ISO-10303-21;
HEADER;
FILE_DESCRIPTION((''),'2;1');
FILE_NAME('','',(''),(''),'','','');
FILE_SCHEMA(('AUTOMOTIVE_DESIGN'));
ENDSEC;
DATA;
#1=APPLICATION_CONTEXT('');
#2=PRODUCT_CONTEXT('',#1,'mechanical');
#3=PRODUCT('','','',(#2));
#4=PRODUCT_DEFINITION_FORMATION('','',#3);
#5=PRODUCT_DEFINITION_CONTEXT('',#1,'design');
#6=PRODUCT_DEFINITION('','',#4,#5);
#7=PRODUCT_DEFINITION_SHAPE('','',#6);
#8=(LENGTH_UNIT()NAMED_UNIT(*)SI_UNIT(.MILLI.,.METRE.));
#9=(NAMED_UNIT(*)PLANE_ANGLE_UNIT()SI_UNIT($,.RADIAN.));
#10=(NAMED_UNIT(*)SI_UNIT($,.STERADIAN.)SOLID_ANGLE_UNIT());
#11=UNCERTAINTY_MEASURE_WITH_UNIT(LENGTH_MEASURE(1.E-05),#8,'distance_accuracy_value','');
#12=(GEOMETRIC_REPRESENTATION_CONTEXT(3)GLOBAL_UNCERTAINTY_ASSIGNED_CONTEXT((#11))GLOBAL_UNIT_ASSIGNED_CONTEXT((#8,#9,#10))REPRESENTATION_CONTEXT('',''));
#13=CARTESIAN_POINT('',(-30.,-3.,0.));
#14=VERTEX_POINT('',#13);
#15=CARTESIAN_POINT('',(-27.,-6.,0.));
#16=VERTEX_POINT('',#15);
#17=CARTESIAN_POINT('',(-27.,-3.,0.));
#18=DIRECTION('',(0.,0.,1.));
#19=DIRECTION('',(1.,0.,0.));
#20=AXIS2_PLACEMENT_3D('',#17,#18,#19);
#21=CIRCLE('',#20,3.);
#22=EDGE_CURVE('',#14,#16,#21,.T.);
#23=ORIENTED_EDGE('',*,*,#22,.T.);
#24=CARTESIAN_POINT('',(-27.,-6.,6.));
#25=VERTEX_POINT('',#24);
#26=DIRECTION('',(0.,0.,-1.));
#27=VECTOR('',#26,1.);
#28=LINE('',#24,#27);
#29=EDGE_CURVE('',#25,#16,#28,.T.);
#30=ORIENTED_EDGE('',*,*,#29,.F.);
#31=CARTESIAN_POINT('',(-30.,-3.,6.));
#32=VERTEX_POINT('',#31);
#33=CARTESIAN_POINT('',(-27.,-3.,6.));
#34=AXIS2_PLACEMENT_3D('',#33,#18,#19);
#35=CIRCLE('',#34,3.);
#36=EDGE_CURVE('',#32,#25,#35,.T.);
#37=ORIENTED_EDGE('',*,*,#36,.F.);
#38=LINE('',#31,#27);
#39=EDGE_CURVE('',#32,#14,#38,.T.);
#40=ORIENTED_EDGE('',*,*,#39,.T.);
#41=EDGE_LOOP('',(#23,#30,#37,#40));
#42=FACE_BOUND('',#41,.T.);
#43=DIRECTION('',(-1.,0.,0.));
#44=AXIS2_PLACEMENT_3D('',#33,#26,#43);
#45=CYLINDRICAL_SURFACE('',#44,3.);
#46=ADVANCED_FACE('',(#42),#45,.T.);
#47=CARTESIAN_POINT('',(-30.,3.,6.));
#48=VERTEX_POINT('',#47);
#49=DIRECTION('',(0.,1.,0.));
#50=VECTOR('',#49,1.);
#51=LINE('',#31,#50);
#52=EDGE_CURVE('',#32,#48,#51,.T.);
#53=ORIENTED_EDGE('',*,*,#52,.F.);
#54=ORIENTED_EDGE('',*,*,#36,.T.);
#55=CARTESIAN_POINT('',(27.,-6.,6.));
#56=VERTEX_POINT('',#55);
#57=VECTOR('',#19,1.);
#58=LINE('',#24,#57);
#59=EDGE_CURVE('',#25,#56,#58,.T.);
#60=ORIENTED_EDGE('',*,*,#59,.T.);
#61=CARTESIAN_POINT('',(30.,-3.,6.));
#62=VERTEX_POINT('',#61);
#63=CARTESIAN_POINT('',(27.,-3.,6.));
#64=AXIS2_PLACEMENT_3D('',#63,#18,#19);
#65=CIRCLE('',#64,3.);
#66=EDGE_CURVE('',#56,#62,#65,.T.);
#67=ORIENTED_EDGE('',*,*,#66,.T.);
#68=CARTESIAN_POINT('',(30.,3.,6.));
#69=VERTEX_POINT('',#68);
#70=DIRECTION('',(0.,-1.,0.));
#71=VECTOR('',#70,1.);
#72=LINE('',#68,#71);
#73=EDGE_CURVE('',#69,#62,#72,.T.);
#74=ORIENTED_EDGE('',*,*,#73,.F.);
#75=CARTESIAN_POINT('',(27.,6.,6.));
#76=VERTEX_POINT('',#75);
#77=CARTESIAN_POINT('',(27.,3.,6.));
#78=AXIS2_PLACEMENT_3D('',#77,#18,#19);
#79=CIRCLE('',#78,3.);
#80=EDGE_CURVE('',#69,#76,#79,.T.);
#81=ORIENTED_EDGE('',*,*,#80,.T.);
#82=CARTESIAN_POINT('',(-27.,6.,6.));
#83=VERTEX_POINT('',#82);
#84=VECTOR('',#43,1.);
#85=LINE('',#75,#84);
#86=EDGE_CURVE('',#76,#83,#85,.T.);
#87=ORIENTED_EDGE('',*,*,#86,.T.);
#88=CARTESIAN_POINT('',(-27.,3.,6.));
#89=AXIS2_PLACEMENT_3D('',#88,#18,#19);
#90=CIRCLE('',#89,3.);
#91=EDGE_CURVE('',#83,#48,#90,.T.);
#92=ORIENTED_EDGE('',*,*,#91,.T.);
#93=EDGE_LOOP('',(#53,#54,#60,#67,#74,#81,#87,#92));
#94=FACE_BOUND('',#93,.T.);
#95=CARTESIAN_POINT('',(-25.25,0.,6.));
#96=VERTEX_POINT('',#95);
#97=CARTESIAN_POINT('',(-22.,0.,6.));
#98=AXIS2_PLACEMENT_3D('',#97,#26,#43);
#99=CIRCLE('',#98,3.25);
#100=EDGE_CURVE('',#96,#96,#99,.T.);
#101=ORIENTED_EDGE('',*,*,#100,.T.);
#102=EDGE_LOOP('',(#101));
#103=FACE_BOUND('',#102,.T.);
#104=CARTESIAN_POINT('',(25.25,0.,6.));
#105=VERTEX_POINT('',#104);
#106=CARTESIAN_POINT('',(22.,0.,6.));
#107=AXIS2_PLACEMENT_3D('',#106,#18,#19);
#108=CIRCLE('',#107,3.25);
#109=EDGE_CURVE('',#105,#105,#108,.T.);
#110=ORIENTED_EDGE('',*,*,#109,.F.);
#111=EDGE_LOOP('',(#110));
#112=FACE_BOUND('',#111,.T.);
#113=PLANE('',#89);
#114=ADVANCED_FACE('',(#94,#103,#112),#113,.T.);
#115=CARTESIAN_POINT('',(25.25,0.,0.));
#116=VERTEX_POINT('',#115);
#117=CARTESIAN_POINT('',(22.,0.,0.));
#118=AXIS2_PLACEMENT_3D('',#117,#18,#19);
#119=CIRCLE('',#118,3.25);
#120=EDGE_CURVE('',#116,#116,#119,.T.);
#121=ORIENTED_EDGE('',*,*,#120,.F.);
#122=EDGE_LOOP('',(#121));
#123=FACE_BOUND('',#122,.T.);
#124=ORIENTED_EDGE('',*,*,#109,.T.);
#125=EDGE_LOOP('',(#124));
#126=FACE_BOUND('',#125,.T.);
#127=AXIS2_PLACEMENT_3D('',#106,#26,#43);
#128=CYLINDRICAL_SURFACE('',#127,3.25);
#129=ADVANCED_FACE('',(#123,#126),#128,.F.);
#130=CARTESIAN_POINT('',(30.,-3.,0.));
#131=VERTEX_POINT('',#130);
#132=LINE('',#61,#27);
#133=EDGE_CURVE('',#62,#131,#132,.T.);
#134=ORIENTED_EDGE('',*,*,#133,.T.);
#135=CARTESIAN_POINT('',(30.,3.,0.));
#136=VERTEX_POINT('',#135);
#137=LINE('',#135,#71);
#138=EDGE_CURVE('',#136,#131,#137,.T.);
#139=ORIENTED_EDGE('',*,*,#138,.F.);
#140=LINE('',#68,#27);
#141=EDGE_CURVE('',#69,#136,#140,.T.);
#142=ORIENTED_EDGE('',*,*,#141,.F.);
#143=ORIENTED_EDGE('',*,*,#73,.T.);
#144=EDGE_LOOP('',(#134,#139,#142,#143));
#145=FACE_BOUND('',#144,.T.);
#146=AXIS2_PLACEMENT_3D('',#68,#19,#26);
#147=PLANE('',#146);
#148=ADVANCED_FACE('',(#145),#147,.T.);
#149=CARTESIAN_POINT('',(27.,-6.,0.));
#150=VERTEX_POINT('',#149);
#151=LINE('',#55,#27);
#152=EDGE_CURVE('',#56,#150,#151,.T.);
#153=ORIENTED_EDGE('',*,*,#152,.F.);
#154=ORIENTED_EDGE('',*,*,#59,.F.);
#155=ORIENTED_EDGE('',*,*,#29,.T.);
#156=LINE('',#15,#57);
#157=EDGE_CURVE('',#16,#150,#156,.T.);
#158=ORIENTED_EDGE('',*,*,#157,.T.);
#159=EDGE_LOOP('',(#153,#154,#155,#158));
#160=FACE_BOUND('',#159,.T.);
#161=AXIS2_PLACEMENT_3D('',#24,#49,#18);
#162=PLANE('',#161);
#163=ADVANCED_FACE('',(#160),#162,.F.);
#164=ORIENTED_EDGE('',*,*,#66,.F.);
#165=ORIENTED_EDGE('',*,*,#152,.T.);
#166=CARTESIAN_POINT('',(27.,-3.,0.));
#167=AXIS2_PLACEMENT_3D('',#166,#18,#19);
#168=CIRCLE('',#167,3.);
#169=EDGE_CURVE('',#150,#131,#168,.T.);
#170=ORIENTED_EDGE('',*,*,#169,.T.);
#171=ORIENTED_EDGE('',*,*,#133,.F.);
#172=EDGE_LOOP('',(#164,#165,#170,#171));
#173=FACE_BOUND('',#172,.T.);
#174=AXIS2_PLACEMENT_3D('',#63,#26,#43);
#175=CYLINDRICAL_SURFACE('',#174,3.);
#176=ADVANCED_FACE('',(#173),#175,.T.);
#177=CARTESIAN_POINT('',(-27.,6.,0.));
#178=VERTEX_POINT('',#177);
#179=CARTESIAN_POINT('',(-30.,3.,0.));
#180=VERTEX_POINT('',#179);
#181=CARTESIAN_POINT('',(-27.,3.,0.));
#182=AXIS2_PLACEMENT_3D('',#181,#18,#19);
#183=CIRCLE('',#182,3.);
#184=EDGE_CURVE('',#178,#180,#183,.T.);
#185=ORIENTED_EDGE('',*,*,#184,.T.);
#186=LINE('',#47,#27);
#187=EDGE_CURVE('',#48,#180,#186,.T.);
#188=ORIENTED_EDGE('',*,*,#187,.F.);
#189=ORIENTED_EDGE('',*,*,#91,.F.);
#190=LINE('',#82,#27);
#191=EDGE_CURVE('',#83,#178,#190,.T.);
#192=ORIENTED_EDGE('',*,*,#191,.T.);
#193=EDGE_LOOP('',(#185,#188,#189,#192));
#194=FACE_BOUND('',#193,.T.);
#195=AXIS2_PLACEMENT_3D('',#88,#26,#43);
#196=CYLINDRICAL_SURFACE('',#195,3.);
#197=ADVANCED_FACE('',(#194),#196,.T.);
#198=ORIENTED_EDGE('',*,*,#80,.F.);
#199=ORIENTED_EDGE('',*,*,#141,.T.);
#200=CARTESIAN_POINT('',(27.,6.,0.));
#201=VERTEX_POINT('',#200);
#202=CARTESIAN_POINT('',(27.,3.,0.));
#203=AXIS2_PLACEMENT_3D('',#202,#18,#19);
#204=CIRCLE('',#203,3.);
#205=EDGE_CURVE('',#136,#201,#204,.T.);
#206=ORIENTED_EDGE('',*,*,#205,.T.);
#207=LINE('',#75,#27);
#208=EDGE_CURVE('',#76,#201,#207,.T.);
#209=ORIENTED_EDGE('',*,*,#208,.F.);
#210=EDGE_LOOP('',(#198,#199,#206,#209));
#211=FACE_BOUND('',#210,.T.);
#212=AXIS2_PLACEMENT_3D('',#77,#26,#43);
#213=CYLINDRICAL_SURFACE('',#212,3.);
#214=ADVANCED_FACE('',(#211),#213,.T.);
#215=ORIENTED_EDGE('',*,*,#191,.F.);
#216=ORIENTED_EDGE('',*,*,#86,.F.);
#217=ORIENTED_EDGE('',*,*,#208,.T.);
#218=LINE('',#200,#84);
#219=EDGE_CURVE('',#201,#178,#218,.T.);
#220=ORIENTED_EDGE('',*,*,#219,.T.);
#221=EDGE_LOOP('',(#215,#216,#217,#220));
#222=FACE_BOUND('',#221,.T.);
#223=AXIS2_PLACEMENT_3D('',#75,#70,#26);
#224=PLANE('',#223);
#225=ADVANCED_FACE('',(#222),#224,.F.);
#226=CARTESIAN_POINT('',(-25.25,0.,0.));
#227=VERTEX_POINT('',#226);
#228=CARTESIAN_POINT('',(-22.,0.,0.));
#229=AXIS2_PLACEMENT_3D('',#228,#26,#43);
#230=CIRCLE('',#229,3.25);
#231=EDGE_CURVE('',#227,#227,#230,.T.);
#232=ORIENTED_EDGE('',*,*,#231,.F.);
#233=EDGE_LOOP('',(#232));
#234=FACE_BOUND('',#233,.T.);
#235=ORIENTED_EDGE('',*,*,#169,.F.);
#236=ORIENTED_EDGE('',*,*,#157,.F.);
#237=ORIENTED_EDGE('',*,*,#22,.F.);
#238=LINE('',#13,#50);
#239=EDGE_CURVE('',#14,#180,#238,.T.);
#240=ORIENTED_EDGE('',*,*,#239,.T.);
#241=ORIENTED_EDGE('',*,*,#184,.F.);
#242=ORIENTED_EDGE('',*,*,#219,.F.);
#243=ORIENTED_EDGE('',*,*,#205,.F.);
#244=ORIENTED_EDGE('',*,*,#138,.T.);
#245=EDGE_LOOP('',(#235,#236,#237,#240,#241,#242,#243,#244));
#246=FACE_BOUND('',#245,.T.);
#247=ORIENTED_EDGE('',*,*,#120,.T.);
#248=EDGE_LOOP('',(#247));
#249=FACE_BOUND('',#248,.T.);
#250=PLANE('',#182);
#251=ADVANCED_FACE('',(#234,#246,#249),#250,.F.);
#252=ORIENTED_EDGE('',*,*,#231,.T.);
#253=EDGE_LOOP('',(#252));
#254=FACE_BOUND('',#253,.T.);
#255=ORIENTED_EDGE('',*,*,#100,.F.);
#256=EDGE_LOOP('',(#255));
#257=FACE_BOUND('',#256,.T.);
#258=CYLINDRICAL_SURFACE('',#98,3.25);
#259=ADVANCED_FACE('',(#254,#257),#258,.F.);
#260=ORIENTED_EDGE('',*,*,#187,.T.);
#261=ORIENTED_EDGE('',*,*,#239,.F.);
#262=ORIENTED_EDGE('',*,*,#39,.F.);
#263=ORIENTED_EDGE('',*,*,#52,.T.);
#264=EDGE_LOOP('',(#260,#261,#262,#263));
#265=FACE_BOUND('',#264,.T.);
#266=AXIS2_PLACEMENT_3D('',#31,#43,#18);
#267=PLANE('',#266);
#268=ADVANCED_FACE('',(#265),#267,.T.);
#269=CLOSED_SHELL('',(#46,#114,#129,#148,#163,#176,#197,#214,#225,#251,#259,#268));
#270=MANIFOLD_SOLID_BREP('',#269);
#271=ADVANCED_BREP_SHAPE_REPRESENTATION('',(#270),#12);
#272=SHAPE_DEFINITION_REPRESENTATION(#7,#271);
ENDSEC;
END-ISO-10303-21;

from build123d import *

# Parameters (mm, degrees)
SKETCH1_R          = 3.25
BASE_EXTRUDE_DEPTH = 6


with BuildPart() as part:
    # Sketch1 → Base-Extrude (new body)
    with BuildSketch(Plane.XY):
        with BuildLine():
            Line((-27, -6), (27, -6))
            ThreePointArc((27, -6), (29.121320344, -5.121320344), (30, -3))
            Line((30, -3), (30, 3))
            ThreePointArc((30, 3), (29.121320344, 5.121320344), (27, 6))
            Line((27, 6), (-27, 6))
            ThreePointArc((-27, 6), (-29.121320344, 5.121320344), (-30, 3))
            Line((-30, 3), (-30, -3))
            ThreePointArc((-30, -3), (-29.121320344, -5.121320344), (-27, -6))
        make_face()
        with Locations((22, 0)):
            Circle(SKETCH1_R, mode=Mode.SUBTRACT)
        with Locations((-22, 0)):
            Circle(SKETCH1_R, mode=Mode.SUBTRACT)
    extrude(amount=BASE_EXTRUDE_DEPTH)


solid = part.part
